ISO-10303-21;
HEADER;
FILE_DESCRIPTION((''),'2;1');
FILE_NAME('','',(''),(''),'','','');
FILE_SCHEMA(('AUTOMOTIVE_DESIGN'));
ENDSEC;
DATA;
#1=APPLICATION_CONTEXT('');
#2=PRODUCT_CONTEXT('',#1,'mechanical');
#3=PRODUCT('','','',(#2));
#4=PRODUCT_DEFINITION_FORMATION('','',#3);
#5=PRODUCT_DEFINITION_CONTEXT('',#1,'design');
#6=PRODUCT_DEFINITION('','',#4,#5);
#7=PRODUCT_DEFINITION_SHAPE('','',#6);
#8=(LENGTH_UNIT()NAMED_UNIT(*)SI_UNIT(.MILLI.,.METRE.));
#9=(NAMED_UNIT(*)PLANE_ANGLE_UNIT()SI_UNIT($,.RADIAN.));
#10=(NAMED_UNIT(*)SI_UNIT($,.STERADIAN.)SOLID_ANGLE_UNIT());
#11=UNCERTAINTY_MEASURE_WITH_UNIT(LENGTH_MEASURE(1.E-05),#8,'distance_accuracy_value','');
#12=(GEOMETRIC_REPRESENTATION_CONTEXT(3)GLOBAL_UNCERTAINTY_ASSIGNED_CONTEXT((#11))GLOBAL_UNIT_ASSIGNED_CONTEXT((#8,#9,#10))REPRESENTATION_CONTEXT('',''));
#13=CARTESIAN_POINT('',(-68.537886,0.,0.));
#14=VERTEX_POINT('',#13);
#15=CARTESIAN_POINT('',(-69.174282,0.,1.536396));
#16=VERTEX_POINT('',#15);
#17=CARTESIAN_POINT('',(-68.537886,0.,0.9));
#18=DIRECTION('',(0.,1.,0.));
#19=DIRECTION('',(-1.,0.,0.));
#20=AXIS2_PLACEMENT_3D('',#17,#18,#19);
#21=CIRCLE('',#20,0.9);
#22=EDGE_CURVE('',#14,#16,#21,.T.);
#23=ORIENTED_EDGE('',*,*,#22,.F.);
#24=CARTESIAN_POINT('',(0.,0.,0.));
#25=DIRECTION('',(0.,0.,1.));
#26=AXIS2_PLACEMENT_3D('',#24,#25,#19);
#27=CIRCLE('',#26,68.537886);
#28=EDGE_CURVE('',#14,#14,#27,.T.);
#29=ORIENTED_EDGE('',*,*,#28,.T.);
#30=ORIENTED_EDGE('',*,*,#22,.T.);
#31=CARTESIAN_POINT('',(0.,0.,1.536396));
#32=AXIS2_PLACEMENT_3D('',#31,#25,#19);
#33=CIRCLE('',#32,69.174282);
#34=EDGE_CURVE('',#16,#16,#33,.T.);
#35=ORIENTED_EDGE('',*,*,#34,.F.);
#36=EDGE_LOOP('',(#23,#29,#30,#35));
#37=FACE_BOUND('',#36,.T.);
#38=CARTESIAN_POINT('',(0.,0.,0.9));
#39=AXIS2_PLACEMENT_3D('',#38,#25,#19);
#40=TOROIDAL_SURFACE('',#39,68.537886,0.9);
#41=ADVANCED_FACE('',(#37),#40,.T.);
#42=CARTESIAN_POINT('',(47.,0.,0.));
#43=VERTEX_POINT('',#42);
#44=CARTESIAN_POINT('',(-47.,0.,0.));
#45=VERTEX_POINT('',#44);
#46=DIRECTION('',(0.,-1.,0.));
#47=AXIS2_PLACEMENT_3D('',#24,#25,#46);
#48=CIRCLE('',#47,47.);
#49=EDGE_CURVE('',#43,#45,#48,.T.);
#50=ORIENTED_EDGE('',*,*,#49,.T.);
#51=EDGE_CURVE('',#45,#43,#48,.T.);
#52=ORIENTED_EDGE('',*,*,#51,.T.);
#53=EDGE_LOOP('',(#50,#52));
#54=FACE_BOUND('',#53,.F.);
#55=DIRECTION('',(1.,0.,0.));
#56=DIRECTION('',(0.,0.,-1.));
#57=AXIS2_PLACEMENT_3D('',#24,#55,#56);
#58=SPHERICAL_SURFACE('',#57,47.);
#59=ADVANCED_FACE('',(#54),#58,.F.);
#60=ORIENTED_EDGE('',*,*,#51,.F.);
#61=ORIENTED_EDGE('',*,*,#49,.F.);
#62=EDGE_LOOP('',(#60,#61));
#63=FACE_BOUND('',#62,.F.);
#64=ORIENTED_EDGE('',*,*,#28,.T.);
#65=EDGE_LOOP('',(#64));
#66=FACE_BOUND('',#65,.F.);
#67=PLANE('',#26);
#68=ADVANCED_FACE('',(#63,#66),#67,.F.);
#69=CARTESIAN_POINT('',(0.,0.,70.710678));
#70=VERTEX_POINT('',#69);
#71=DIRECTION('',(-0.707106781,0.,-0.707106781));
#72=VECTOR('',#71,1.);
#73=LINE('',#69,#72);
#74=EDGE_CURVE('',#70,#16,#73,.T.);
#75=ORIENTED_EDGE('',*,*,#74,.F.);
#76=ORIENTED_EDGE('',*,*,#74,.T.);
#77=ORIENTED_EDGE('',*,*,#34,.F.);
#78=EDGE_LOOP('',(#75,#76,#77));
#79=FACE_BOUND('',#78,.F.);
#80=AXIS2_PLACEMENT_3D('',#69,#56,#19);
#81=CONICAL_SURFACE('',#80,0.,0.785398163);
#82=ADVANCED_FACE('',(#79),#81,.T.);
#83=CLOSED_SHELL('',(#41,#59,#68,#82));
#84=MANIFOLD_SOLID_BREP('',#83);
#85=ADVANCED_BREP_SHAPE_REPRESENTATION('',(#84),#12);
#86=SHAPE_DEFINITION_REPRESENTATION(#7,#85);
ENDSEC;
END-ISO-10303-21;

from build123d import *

# Parameters (mm, degrees)
F4_R = 0.9


with BuildPart() as f1:
    # F0 (on Front) → F1 (revolve)
    with BuildSketch(Plane.XZ):
        Polygon((-70.710678, 0), (0, 0), (0, 70.710678), align=None)
    revolve(axis=Axis((0, 0, 35.355339), (0, 0, 1)))

    # F2 (on Front) → F3 (revolve, cut)
    with BuildSketch(Plane.XZ):
        with BuildLine():
            ThreePointArc((-47, 0), (0, -47), (47, 0))
            Line((47, 0), (-47, 0))
        make_face()
    revolve(axis=Axis((0, 0, 0), (1, 0, 0)), mode=Mode.SUBTRACT)

    # F4
    f4_edges = [f1.edges().sort_by_distance(p)[0] for p in [
        (70.710678, 0, 0),
    ]]
    fillet(f4_edges, radius=F4_R)


solid = f1.part
